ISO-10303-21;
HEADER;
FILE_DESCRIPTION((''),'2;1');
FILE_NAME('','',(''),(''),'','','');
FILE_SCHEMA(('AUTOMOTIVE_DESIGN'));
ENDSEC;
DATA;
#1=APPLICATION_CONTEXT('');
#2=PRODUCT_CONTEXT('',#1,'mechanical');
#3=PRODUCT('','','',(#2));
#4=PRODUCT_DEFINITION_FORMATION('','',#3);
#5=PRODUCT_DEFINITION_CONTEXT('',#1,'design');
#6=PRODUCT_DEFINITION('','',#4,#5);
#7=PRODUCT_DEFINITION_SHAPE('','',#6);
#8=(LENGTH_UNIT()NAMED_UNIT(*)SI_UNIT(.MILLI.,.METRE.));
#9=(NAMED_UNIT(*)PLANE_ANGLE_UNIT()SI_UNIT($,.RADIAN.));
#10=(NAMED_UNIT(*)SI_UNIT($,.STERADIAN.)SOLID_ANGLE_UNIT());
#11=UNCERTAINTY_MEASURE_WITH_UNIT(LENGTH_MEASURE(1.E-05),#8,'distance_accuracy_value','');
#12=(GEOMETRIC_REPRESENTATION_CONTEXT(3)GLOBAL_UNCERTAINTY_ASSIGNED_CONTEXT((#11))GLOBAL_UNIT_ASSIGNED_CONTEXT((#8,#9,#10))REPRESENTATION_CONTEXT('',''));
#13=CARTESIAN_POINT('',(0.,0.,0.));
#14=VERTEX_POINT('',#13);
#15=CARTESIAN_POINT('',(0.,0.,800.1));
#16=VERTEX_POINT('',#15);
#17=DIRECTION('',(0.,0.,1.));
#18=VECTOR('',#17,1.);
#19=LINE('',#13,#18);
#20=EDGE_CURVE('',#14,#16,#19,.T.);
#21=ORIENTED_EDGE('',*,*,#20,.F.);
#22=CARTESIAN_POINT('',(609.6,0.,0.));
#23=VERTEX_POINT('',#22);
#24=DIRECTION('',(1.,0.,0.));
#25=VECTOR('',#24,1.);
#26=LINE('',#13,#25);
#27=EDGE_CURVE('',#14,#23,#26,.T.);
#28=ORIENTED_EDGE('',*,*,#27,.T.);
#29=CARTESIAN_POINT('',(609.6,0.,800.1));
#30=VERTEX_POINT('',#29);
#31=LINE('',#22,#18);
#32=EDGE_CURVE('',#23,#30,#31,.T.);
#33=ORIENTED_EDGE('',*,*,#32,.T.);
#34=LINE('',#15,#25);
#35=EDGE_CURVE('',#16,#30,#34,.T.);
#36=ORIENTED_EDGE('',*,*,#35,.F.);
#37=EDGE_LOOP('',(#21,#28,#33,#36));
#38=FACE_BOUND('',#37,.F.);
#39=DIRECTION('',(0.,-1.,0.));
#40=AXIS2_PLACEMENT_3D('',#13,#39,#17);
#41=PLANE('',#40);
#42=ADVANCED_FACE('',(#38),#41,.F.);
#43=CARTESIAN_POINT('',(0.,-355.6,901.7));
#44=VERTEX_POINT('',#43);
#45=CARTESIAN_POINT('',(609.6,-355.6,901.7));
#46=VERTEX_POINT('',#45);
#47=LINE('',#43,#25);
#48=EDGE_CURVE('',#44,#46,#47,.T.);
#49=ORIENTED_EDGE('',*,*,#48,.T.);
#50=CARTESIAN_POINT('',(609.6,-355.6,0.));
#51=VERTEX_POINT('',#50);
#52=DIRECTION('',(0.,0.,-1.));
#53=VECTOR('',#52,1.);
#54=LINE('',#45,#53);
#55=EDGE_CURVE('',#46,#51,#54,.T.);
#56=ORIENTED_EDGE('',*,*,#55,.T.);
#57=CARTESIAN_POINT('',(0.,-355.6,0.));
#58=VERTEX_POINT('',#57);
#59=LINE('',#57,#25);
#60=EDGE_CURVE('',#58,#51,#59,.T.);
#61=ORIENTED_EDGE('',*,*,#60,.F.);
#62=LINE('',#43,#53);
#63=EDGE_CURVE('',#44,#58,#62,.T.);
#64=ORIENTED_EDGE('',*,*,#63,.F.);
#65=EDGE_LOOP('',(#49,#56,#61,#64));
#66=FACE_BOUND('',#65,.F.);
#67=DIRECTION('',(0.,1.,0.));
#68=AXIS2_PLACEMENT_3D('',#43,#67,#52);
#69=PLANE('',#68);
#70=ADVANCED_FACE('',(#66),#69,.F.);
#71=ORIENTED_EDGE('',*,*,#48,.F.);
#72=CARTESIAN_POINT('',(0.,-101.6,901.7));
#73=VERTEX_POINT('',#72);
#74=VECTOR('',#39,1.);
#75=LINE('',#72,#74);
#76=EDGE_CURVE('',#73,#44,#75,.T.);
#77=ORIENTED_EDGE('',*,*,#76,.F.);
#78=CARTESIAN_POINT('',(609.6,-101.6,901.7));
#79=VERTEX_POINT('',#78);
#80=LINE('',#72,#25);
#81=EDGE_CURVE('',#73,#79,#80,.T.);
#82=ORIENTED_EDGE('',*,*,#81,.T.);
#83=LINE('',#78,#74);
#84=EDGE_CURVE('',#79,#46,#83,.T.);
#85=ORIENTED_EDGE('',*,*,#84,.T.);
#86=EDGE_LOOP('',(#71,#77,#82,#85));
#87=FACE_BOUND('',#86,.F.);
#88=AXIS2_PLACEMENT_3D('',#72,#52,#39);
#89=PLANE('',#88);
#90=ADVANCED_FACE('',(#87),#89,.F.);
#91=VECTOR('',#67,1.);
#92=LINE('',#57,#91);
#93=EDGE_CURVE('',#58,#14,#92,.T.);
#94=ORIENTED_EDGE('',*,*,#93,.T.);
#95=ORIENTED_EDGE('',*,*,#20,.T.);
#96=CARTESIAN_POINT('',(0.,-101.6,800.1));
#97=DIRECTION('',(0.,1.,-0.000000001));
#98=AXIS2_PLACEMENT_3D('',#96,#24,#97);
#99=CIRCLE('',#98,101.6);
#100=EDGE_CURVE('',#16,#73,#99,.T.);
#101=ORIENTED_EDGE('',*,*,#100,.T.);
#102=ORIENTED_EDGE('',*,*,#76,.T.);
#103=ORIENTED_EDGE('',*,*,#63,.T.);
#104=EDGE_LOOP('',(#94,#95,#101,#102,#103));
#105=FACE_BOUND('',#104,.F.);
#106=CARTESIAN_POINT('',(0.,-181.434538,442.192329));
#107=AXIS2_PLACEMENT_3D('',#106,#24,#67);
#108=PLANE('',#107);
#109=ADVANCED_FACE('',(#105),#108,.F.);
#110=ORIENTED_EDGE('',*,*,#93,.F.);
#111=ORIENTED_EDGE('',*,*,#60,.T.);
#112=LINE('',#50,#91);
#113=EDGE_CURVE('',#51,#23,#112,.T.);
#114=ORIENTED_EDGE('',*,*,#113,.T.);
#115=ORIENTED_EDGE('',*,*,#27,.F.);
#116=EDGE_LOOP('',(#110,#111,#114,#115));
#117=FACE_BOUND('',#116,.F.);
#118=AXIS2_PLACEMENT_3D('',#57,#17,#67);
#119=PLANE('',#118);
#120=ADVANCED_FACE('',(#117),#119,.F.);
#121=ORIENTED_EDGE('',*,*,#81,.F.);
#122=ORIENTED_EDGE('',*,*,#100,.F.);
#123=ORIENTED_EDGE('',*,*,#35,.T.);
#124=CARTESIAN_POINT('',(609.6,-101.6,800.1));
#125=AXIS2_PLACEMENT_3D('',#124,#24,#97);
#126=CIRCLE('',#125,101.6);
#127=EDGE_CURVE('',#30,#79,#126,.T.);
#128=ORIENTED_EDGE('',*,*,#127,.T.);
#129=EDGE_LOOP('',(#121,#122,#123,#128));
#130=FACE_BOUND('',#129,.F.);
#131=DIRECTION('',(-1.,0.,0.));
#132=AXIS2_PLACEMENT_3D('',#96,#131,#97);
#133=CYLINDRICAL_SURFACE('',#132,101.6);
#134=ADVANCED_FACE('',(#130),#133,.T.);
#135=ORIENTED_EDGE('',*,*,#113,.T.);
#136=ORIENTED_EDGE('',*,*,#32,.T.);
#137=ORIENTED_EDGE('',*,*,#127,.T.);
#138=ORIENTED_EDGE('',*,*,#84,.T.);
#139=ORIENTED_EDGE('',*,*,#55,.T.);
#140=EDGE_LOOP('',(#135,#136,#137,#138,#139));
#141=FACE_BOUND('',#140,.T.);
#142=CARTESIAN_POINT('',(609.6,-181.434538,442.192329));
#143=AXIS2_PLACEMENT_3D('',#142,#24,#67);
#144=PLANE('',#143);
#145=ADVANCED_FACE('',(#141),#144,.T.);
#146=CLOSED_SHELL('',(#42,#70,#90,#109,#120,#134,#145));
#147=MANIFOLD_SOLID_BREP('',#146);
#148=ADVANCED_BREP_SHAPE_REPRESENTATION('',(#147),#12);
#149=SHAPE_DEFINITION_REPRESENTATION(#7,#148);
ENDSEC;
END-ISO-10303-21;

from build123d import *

# Parameters (mm, degrees)
F1_DEPTH = 609.6


with BuildPart() as f1:
    # F0 (on Right) → F1 (new body)
    with BuildSketch(Plane.YZ):
        with BuildLine():
            Line((-355.6, 0), (0, 0))
            Line((0, 0), (0, 800.1))
            ThreePointArc((0, 800.1), (-29.757951, 871.942049), (-101.6, 901.7))
            Line((-101.6, 901.7), (-355.6, 901.7))
            Line((-355.6, 901.7), (-355.6, 0))
        make_face()
    extrude(amount=F1_DEPTH)


solid = f1.part
